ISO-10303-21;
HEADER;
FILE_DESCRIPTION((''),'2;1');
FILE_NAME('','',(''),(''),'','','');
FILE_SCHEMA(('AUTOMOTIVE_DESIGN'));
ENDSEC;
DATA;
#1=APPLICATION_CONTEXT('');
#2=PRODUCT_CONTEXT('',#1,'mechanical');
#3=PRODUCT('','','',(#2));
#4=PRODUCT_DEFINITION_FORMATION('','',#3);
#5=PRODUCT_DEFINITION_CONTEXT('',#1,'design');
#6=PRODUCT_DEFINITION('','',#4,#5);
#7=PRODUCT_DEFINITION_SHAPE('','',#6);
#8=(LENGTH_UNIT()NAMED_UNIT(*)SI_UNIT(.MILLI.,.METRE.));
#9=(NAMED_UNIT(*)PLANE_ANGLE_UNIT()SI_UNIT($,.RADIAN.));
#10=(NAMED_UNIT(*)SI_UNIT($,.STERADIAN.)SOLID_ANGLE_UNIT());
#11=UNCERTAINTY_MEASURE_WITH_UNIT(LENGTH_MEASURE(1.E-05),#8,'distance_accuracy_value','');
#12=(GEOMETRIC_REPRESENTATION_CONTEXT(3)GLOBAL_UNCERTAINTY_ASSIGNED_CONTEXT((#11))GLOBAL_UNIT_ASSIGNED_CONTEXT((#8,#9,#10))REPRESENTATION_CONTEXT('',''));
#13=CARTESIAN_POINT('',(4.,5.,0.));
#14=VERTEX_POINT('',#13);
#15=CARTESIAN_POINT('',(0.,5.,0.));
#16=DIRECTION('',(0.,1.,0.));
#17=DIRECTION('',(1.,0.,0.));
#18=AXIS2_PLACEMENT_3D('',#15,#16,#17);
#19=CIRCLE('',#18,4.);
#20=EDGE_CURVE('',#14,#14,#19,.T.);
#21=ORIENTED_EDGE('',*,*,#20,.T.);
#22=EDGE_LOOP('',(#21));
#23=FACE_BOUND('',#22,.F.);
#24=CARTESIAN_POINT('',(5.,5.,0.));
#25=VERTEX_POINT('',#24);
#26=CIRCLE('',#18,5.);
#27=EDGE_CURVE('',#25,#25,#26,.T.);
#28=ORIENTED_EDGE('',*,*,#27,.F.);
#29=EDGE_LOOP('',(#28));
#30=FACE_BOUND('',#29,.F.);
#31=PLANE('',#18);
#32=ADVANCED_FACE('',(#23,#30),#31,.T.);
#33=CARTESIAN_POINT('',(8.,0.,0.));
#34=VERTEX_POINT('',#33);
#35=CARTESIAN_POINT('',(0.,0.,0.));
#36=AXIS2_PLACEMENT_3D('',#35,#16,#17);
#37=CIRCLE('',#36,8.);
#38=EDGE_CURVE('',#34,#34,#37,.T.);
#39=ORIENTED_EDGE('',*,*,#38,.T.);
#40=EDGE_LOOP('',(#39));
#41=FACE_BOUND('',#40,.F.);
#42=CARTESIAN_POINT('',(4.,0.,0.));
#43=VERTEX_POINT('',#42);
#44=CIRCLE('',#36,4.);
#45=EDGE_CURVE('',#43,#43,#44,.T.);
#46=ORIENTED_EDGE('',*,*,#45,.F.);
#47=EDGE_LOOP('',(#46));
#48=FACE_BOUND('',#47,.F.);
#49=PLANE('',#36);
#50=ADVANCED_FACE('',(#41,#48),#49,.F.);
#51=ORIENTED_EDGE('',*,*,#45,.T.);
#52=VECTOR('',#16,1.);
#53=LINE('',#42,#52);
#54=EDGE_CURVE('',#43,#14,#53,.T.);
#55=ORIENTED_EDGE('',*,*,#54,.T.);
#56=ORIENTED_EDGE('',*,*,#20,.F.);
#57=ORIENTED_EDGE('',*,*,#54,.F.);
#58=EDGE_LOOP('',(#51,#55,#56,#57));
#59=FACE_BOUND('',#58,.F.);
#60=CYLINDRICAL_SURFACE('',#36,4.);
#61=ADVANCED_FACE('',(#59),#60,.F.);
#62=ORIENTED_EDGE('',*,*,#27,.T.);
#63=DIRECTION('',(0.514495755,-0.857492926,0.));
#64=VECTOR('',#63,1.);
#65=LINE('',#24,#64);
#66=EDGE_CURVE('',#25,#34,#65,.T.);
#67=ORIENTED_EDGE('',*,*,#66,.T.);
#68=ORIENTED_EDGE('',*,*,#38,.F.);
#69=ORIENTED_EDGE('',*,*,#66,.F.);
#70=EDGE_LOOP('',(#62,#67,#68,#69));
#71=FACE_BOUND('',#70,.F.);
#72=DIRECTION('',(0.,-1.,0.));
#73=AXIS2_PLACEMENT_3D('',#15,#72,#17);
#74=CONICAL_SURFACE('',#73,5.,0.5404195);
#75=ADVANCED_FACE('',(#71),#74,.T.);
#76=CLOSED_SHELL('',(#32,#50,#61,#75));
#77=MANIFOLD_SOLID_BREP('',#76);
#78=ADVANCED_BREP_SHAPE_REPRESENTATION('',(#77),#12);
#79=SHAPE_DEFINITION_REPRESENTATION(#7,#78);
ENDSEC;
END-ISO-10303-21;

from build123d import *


with BuildPart() as part:
    # Szkic1 → Obrót1 (revolve)
    with BuildSketch(Plane.XY):
        Polygon((4, 0), (4, 5), (5, 5), (8, 0), align=None)
    revolve(axis=Axis((0, 0, 0), (0, 1, 0)))


solid = part.part
